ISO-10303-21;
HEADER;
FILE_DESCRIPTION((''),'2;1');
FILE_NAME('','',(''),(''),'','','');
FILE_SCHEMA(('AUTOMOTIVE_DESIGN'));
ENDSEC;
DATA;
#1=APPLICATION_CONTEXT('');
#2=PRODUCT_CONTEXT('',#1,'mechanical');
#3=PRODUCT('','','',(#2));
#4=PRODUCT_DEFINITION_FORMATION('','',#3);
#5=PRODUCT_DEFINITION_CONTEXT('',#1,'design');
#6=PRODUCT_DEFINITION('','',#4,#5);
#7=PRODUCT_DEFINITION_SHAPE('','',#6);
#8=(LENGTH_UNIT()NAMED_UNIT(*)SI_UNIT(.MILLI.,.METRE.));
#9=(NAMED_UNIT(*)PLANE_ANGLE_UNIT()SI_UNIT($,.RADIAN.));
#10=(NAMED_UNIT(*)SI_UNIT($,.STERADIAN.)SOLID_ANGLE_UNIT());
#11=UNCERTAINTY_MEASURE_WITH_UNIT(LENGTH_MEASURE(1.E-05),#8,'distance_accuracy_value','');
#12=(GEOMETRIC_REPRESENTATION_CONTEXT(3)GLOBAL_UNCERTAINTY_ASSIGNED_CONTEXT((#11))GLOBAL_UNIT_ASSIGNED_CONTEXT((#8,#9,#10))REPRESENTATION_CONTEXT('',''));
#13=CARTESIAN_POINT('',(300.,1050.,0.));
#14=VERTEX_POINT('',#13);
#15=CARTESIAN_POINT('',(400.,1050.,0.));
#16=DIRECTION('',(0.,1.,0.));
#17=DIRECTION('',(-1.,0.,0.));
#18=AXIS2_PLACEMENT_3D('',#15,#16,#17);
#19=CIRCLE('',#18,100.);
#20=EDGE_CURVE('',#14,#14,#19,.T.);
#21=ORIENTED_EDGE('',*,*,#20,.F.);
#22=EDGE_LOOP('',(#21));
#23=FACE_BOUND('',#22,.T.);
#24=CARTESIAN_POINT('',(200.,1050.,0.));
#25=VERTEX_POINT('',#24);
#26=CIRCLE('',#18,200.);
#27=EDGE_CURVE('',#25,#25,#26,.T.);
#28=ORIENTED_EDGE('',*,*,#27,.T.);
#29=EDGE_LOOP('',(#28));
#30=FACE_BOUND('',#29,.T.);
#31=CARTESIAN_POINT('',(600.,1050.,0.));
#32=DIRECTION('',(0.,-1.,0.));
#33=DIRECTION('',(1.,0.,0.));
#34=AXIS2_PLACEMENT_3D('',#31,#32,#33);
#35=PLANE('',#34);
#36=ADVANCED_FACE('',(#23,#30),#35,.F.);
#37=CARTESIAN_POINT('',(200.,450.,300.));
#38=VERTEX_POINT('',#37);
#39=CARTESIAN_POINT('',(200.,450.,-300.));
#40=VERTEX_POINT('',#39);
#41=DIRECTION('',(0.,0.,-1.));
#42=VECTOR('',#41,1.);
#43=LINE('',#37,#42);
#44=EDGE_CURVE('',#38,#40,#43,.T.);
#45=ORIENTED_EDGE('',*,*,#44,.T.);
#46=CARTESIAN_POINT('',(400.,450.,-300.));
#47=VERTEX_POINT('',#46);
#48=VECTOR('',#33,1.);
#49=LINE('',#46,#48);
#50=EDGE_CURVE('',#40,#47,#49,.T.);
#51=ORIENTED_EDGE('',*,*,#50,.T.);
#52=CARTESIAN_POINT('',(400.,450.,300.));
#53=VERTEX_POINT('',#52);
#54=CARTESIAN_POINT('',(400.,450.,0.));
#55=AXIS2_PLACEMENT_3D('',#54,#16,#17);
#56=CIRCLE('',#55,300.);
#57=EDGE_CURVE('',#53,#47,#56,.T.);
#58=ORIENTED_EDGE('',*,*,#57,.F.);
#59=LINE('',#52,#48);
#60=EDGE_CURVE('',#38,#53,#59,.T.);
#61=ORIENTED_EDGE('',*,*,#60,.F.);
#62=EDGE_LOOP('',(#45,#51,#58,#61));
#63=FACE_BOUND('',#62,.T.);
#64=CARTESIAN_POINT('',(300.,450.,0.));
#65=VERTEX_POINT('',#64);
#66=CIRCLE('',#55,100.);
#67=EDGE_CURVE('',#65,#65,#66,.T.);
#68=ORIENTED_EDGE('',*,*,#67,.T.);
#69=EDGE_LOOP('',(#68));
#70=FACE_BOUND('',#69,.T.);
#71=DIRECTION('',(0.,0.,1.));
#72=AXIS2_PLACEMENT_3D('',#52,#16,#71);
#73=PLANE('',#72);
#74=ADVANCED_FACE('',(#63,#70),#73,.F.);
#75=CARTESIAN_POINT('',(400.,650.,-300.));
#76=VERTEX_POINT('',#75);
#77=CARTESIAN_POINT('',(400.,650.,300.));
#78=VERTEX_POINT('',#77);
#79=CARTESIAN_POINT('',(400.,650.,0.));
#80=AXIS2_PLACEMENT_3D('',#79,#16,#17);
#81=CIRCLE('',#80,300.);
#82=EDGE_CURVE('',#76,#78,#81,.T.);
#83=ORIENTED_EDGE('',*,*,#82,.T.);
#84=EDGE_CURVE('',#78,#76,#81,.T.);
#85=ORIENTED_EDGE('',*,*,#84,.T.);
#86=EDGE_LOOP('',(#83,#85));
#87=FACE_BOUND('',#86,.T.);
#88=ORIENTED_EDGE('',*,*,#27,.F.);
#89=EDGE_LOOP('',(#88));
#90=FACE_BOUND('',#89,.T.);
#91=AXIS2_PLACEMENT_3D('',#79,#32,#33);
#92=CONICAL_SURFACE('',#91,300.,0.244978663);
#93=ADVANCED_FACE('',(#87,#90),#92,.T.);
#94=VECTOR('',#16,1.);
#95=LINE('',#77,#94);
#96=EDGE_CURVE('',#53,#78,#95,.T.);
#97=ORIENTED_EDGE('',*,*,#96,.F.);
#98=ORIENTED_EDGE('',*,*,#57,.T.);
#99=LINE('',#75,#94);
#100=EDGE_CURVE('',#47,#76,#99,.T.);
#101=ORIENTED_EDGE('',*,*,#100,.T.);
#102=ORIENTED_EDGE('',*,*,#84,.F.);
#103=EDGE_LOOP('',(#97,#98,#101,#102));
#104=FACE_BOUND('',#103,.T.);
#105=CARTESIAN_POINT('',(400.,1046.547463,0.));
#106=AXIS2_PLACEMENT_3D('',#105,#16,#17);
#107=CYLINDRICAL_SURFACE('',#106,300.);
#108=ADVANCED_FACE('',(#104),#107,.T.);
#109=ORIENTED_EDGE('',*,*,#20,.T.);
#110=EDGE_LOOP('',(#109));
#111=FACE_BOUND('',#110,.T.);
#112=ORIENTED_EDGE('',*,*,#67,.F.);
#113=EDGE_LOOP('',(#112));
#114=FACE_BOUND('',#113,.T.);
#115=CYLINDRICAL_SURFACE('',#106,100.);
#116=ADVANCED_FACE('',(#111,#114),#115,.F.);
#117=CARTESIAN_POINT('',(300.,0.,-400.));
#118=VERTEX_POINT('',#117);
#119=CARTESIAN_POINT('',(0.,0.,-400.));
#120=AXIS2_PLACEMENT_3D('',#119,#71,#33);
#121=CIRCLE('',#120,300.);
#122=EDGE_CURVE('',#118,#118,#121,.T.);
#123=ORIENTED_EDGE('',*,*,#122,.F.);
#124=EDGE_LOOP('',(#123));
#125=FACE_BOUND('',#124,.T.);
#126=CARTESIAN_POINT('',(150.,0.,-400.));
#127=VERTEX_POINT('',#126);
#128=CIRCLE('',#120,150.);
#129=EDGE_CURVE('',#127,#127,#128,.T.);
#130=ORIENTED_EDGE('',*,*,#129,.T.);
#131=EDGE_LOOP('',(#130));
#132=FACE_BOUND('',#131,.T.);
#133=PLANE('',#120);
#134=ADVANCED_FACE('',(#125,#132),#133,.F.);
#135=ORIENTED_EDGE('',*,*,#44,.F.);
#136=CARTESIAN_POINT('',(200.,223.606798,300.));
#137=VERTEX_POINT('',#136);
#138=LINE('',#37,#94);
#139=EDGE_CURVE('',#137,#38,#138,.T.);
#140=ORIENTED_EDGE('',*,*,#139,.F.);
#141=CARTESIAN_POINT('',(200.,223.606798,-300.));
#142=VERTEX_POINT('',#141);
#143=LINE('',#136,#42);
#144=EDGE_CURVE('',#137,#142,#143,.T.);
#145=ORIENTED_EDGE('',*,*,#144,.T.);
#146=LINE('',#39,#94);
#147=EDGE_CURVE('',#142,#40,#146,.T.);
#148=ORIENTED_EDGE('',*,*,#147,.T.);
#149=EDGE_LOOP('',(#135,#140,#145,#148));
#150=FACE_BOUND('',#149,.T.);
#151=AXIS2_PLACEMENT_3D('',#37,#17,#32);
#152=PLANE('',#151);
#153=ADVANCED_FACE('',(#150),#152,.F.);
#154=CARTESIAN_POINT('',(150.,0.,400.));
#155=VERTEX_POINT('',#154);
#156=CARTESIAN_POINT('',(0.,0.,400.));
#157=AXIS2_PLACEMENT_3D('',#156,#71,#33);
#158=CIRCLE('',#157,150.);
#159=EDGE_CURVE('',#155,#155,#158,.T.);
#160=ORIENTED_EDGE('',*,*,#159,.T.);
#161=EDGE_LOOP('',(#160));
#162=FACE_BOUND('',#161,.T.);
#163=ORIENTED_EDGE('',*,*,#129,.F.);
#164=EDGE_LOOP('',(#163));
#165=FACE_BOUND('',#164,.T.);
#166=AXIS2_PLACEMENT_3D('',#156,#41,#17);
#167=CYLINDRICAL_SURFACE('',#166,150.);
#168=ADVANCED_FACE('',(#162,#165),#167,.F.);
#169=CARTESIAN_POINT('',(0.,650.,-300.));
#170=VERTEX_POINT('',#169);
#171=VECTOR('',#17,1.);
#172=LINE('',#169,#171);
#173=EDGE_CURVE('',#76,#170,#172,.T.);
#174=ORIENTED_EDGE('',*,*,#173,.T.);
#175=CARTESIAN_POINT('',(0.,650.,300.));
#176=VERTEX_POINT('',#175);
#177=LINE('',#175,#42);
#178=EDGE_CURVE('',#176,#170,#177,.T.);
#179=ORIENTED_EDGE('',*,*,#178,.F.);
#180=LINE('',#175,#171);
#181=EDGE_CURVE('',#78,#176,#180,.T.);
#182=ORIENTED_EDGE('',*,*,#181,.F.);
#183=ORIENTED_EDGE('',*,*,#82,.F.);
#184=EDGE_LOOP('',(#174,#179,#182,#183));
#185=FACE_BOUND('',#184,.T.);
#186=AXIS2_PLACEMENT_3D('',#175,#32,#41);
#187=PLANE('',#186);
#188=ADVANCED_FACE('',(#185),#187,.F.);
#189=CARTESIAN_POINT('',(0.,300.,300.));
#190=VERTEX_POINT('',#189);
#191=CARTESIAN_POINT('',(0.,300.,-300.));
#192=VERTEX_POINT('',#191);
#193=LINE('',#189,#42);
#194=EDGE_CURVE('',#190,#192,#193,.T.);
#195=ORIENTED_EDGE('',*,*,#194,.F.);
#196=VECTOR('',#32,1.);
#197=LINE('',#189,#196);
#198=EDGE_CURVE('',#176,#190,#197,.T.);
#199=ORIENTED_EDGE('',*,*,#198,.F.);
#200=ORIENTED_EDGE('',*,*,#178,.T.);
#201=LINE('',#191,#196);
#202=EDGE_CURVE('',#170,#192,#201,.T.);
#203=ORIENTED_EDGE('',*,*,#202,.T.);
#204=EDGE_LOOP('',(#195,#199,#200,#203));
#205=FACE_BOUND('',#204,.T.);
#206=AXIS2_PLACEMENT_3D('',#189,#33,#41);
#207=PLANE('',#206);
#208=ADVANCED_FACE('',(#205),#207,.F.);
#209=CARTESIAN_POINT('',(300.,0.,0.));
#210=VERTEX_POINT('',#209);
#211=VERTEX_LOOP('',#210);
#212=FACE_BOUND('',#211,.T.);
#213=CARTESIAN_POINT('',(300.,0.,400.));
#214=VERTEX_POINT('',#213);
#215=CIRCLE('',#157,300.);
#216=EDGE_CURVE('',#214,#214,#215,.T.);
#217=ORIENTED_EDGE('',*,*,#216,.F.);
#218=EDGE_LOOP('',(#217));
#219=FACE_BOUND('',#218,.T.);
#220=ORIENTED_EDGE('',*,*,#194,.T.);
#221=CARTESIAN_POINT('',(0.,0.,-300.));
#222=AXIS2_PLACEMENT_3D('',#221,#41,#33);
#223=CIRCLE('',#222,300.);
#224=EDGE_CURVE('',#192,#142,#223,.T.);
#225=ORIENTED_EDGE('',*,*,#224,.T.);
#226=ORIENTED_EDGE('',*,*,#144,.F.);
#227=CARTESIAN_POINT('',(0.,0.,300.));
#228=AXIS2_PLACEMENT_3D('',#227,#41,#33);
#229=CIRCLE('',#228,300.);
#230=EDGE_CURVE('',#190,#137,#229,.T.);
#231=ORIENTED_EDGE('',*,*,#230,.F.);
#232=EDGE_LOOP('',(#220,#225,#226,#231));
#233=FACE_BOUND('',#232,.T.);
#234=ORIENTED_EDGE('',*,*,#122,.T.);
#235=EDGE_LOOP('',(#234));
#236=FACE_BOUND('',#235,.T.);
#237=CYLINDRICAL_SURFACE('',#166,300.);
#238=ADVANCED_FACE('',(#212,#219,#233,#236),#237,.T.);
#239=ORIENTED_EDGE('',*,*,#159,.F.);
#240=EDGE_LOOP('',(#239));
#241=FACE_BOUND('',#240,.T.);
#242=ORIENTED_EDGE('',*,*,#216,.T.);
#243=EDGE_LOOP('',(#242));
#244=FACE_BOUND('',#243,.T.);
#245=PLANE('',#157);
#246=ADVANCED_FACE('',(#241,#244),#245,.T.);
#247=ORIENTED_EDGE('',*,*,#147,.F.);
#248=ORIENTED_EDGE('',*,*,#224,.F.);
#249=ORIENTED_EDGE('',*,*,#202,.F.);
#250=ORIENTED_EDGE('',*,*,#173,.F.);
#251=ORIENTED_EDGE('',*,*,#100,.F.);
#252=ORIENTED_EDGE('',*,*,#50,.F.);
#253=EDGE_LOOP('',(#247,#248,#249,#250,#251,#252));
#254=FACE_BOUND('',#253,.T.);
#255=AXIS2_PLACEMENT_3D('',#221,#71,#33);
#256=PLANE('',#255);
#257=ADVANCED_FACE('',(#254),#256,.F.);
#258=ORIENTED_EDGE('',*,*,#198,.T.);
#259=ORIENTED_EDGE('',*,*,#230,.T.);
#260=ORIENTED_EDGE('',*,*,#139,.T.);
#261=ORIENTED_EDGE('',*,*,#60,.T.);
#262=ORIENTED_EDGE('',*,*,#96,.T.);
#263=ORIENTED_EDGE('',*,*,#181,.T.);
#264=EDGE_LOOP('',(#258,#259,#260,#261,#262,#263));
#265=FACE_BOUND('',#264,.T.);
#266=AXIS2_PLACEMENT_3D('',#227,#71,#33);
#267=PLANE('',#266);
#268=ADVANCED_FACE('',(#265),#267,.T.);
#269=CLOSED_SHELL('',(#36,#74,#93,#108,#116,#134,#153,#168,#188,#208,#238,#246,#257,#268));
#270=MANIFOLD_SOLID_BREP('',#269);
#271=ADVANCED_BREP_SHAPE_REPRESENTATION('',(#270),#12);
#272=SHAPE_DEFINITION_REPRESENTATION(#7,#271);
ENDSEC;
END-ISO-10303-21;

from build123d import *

# Parameters (mm, degrees)
SKETCH1_R           = 300
SKETCH1_R_2         = 150
BOSS_EXTRUDE1_DEPTH = 400
BOSS_EXTRUDE2_DEPTH = 300
SKETCH6_R           = 100
CUT_EXTRUDE1_DEPTH  = 951


with BuildPart() as part:
    # Sketch1 → Boss-Extrude1 (new body, symmetric)
    with BuildSketch(Plane.XY):
        Circle(SKETCH1_R)
        Circle(SKETCH1_R_2, mode=Mode.SUBTRACT)
    extrude(amount=BOSS_EXTRUDE1_DEPTH, both=True)

    # Sketch2 → Boss-Extrude2 (add, symmetric)
    with BuildSketch(Plane.XY):
        with BuildLine():
            Line((0, 300), (0, 650))
            Line((0, 650), (400, 650))
            Line((400, 650), (400, 450))
            Line((400, 450), (200, 450))
            Line((200, 450), (200, 223.60679775))
            ThreePointArc((200, 223.60679775), (107.046626932, 280.251707689), (0, 300))
        make_face()
    extrude(amount=BOSS_EXTRUDE2_DEPTH, both=True)

    # Sketch5 → Revolve1 (revolve)
    with BuildSketch(Plane.XY, mode=Mode.PRIVATE) as revolve1_sk:
        Polygon((500, 1050), (500, 450), (700, 450), (700, 650), (600, 1050), align=None)
    revolve(revolve1_sk.sketch.rotate(Axis((400, 1046.547462699, 0), (0, -1, 0)), 180), axis=Axis((400, 1046.547462699, 0), (0, -1, 0)))  # turned: the seam where the file's is

    # Sketch6 → Cut-Extrude1 (cut, through all)
    with BuildSketch(Plane(origin=(0, 650, 0), x_dir=(1, 0, 0), z_dir=(0, 1, 0))):
        with Locations(Location((400, 0, 0), (0, 0, 180))):  # turned: the seam where the file's is
            Circle(SKETCH6_R)
    extrude(amount=-CUT_EXTRUDE1_DEPTH, mode=Mode.SUBTRACT)


solid = part.part
